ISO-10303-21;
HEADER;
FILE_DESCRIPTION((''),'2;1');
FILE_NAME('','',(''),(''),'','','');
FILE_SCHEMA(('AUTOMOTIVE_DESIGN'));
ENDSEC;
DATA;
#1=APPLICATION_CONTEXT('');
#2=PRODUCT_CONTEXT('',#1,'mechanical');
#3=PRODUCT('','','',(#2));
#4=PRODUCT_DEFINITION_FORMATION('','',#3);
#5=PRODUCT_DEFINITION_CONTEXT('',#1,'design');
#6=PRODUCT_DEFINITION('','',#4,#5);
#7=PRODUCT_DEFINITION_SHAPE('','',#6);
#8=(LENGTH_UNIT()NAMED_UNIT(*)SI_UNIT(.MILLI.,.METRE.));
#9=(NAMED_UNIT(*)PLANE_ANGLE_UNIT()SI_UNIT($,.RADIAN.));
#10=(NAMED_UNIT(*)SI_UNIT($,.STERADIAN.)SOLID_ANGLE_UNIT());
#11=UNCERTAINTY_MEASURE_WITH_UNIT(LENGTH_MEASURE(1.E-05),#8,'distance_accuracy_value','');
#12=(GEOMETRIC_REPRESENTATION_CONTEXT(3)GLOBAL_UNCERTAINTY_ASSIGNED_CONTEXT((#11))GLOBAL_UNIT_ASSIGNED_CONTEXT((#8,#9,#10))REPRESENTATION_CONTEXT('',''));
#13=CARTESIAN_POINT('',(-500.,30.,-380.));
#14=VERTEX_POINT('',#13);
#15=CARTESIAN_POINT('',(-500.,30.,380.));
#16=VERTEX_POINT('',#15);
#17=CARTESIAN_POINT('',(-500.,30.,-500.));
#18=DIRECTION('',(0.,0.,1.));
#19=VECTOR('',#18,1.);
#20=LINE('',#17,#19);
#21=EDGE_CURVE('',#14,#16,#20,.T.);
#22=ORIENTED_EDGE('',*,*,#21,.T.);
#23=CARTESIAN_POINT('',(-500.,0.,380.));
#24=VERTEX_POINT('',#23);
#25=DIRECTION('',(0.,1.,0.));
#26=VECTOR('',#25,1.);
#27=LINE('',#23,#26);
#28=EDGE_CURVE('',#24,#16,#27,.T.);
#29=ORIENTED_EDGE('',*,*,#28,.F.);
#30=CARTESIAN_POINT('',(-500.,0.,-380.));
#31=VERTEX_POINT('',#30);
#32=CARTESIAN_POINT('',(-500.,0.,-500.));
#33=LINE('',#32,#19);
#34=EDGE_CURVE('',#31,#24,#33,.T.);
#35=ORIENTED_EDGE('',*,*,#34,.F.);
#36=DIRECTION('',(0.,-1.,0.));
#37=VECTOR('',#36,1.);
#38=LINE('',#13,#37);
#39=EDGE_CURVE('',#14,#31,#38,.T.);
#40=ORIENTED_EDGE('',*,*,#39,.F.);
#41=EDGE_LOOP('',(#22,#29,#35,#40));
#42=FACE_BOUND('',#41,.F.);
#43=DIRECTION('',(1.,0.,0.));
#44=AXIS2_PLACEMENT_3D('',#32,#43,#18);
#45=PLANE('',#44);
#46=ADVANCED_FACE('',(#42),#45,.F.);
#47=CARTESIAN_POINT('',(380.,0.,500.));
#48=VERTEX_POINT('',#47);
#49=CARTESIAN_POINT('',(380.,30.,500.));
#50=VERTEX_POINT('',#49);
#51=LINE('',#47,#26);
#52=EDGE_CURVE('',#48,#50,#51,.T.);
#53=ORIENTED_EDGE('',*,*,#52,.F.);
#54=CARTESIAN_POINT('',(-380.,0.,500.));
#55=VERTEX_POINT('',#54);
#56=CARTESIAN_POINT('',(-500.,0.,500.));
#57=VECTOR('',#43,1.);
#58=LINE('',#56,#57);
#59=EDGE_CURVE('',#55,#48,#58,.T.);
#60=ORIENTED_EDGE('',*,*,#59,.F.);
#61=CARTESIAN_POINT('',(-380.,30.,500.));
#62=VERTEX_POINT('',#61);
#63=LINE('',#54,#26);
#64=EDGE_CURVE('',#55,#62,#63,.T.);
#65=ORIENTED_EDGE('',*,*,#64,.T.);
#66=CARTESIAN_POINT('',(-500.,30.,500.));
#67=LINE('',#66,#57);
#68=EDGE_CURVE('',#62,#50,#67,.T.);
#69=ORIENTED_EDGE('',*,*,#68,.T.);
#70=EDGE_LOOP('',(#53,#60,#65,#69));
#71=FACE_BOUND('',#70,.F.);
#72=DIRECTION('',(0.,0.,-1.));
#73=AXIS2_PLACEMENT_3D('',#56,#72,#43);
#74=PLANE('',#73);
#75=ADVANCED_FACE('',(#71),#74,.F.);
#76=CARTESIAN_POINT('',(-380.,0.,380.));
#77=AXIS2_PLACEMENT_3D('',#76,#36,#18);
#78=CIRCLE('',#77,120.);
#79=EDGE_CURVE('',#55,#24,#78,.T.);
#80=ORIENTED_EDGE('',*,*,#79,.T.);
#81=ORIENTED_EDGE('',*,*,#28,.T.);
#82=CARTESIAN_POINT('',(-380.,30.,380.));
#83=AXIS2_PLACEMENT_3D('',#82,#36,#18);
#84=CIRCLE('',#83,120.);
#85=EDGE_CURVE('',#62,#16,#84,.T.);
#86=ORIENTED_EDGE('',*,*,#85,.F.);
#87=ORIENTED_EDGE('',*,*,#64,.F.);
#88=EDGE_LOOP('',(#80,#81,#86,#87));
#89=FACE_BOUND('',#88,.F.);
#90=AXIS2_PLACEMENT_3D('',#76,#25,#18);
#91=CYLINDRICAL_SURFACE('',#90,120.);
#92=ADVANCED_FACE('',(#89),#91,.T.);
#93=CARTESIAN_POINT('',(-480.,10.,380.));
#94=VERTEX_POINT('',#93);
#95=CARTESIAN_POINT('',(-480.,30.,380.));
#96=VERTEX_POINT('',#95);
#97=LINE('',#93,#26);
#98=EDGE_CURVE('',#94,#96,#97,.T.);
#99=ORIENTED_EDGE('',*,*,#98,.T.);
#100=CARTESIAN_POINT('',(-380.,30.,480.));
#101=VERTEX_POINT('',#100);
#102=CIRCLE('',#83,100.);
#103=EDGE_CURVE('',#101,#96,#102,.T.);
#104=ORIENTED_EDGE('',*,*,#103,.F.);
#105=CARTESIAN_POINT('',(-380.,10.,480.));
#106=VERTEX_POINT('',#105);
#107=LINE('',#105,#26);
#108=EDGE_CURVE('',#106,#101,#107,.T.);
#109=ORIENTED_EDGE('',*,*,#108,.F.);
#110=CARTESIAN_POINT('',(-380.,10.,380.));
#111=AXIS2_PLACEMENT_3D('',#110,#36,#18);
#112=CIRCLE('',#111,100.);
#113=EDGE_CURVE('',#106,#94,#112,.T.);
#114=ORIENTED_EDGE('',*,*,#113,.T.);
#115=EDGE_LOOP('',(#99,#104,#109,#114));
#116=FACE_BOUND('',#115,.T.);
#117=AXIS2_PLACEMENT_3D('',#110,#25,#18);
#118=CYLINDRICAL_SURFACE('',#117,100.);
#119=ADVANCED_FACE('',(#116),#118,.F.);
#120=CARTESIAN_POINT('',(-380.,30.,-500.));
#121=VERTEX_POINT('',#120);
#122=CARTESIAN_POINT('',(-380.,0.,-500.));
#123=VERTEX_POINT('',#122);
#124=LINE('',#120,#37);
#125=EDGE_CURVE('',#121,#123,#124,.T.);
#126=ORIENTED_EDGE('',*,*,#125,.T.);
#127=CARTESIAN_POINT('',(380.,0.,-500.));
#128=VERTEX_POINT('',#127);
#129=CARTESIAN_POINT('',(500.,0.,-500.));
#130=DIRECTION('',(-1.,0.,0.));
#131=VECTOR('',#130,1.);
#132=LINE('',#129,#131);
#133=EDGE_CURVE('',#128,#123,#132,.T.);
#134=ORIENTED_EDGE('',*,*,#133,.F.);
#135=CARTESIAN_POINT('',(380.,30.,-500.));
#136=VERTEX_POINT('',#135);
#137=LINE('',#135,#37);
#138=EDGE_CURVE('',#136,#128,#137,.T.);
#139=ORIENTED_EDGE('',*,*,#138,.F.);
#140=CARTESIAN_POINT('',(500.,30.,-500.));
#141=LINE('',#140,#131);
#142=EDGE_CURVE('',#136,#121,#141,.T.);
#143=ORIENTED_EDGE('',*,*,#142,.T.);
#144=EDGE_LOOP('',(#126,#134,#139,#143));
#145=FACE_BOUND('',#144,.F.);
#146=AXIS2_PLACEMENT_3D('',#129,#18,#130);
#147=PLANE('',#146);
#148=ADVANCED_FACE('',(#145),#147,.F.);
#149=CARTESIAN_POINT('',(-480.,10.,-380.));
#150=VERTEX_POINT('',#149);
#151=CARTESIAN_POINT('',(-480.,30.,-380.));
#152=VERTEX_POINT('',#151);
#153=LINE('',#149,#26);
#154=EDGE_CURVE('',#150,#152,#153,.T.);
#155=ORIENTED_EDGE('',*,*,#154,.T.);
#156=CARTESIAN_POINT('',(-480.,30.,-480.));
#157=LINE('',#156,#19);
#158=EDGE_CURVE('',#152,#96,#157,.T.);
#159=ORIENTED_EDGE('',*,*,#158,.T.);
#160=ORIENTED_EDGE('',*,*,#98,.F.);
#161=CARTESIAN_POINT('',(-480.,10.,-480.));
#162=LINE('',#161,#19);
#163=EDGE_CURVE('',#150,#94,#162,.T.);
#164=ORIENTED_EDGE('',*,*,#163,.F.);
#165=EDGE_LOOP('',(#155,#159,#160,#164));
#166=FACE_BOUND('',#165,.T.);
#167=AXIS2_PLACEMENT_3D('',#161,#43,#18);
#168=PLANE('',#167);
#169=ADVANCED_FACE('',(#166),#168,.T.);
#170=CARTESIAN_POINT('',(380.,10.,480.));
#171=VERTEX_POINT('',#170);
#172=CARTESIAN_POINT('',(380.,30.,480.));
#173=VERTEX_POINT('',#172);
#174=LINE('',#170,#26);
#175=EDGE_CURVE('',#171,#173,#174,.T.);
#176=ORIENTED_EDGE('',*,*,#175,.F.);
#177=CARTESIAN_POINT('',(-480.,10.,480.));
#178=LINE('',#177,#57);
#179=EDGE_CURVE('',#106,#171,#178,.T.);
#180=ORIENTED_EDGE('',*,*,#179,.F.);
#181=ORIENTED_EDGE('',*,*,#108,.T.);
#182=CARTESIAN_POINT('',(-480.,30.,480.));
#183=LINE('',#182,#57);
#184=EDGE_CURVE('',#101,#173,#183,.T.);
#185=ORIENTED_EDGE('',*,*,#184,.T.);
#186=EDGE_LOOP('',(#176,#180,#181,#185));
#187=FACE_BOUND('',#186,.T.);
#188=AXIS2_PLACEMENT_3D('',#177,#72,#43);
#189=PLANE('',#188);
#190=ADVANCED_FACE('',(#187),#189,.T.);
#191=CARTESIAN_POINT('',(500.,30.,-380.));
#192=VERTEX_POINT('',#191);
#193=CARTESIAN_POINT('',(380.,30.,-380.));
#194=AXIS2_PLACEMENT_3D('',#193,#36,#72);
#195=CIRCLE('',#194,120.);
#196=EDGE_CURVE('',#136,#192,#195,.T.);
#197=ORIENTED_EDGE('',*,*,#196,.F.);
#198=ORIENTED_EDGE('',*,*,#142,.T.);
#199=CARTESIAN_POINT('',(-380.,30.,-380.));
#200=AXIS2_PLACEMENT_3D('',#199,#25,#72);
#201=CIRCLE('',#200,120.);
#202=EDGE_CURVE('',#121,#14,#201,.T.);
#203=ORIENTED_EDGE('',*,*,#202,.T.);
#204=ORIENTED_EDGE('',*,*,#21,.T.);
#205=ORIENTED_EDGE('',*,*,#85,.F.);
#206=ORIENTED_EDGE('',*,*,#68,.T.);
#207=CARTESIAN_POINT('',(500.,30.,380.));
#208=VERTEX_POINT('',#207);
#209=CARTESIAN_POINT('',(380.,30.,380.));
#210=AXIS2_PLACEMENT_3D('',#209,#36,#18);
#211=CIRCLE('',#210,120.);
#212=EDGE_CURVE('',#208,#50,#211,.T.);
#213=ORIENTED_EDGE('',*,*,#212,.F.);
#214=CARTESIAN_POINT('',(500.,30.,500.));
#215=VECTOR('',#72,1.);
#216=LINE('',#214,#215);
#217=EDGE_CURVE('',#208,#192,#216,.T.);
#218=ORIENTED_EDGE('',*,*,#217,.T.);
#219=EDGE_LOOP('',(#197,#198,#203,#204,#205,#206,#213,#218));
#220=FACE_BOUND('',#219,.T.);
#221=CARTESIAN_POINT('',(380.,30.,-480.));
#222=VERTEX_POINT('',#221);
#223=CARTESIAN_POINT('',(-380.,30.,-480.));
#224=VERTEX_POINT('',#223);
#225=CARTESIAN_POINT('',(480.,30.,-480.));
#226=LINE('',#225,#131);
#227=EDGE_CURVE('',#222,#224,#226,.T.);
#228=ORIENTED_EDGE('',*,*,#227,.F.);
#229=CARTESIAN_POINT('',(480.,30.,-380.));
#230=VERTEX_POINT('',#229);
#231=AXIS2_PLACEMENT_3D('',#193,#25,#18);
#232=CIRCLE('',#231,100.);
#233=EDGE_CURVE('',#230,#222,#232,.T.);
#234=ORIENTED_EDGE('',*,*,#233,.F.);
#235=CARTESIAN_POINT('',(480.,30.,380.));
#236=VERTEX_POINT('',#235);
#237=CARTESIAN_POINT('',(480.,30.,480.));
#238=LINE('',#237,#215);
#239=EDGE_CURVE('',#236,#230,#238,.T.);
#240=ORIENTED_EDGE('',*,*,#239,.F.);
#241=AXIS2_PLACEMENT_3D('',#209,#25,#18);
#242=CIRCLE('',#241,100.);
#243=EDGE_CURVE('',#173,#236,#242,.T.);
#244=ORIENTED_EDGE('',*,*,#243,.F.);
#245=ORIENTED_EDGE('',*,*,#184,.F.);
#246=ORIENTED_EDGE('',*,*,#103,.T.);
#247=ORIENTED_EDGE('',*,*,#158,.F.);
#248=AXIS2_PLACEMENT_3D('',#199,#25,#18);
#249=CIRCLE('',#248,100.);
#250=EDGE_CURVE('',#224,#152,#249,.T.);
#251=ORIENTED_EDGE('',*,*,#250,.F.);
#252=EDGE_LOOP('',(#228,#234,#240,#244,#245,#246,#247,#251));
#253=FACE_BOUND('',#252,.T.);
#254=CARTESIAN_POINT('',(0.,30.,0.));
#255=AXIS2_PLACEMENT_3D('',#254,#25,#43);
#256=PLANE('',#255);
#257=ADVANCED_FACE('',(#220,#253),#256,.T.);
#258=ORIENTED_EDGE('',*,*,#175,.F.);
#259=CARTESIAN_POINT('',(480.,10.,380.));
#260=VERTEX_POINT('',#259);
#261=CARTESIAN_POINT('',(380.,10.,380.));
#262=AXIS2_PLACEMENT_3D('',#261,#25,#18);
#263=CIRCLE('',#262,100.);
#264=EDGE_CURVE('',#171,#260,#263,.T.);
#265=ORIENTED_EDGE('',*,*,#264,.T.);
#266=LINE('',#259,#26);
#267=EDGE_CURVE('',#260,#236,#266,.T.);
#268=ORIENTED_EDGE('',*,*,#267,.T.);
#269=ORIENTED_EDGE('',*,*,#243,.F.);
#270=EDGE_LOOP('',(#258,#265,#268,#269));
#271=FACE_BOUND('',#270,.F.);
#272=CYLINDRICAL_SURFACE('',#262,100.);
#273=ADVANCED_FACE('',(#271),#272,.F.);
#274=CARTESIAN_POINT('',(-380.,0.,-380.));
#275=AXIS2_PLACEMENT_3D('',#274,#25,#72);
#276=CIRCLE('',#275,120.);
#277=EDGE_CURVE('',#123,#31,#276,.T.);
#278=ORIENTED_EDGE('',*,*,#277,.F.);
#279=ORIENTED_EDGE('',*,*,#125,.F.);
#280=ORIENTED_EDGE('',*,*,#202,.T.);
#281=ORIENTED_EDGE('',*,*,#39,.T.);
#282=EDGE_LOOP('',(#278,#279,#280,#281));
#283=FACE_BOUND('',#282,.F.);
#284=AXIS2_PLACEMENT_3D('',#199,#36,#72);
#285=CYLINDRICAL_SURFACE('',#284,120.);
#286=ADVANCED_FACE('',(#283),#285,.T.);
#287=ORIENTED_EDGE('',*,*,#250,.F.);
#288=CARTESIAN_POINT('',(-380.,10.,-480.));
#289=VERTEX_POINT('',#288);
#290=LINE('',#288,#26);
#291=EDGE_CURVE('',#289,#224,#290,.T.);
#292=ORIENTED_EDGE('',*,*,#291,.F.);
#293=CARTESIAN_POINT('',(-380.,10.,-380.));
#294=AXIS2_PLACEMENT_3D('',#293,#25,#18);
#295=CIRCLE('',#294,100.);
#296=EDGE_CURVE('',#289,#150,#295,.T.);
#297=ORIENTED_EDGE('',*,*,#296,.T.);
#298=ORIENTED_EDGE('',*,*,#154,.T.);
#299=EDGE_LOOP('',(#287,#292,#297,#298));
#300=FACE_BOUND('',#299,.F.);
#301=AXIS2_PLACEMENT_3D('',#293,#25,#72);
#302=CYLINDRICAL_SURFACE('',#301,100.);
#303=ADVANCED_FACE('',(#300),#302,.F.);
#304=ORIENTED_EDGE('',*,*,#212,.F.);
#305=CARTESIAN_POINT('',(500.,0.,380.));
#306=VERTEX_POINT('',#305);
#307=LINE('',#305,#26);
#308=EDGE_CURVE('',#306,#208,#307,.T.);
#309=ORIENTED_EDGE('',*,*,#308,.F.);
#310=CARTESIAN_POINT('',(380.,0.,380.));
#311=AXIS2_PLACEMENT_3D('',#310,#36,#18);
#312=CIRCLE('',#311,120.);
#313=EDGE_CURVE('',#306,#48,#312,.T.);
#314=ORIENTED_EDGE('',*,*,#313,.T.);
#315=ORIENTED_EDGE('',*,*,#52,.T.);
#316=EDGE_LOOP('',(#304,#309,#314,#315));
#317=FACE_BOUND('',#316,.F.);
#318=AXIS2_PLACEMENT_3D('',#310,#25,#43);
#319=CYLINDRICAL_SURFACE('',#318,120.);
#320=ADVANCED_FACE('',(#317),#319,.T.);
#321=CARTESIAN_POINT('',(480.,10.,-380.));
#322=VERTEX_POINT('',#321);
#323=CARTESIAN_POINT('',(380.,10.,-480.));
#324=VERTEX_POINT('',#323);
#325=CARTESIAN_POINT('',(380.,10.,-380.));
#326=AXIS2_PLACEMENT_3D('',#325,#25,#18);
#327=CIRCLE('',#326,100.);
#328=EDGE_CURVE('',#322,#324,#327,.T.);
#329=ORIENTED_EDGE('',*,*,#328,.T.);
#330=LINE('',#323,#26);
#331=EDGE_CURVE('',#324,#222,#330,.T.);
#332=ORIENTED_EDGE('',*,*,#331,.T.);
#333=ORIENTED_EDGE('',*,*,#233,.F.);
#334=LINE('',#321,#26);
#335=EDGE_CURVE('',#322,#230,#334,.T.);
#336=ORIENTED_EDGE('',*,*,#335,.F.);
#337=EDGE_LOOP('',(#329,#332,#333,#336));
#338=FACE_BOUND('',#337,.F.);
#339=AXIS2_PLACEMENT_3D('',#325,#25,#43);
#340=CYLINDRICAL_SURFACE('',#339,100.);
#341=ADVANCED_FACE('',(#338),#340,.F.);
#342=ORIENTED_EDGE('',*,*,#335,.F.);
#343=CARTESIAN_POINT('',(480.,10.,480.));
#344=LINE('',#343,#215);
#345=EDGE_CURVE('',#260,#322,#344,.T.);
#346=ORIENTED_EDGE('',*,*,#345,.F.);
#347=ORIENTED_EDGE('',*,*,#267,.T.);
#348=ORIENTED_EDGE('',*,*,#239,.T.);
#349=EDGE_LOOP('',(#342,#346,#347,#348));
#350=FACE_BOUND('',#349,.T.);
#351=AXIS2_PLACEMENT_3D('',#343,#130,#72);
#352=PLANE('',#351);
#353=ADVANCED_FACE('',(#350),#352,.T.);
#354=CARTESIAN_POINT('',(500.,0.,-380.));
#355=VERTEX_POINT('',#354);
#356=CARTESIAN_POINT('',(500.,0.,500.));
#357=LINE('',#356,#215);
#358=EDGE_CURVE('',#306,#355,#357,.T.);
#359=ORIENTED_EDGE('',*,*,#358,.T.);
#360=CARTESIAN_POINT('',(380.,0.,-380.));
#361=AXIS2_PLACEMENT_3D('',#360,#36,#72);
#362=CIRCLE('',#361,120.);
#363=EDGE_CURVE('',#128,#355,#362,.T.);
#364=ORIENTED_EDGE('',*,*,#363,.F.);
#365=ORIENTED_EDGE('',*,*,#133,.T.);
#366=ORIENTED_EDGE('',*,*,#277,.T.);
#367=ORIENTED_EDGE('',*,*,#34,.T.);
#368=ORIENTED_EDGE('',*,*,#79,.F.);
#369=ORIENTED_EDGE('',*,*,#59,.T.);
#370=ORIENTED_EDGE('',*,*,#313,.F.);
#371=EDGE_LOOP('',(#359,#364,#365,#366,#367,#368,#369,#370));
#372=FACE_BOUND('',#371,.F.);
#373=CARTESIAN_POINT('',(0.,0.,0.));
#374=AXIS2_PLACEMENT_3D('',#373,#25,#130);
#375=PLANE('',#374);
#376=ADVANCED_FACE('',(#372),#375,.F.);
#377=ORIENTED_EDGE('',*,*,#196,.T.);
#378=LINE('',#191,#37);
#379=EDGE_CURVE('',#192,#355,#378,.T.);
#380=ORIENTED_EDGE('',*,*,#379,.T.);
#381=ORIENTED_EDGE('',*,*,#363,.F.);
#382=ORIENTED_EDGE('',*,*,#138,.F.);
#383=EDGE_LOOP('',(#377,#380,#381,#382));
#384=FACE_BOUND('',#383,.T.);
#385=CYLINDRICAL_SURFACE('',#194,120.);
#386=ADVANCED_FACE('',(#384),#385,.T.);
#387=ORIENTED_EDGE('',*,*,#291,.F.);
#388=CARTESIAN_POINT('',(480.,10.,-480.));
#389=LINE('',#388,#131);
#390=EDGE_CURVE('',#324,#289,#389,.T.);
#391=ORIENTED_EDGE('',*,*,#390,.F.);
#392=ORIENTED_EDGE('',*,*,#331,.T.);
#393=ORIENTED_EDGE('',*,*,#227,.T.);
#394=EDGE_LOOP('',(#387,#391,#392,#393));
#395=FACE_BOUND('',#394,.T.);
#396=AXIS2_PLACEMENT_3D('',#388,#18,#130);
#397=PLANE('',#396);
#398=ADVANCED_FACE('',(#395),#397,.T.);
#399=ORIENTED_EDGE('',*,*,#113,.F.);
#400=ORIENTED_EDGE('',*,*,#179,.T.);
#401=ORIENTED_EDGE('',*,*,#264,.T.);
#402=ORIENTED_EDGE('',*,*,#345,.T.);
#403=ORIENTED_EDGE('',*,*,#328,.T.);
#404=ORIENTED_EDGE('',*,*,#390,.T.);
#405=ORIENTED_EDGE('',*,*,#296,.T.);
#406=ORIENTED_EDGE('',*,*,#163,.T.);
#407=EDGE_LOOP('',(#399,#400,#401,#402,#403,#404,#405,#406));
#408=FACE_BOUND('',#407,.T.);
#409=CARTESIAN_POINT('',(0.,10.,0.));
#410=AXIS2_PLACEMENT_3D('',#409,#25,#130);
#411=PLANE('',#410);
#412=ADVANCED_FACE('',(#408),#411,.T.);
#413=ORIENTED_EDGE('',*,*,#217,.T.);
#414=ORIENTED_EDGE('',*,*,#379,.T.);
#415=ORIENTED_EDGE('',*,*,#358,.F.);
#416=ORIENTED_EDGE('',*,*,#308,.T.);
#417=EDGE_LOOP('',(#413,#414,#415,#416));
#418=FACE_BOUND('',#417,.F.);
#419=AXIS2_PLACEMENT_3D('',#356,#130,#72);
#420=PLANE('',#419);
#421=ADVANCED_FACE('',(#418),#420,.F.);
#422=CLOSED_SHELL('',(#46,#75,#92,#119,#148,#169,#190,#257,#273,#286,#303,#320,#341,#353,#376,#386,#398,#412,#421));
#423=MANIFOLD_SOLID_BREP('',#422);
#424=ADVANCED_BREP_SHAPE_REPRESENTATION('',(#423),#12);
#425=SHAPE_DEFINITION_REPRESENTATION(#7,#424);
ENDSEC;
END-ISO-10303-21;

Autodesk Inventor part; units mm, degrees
ref_plane "YZ Plane" through (0, 0, 0) normal (1, 0, 0) x (0, 1, 0)
ref_plane "XZ Plane" through (0, 0, 0) normal (0, 1, 0) x (-1, 0, 0)
ref_plane "XY Plane" through (0, 0, 0) normal (0, 0, 1) x (1, 0, 0)
sketch "Sketch1" plane through (0, 0, 0) normal (0, 1, 0) x (-1, 0, 0)
  line L0 (500, 500) -> (-500, 500)
  line L1 (-500, 500) -> (-500, -500)
  line L2 (-500, -500) -> (500, -500)
  line L3 (500, -500) -> (500, 500)
  point P0 (0, 0)
  point P1 (0, 500)
  point P2 (500, 0)
  dimension "d1" = 1000
  dimension "d2" = 1000
extrude "Extrusion1" add sketch "Sketch1" along normal blind 10
sketch "Sketch2" plane through (0, 10, 0) normal (0, 1, 0) x (1, 0, 0)
  line L0 (-480, -480) -> (480, -480)
  line L1 (480, -480) -> (480, 480)
  line L2 (480, 480) -> (-480, 480)
  line L3 (-480, 480) -> (-480, -480)
  line L4 (-500, 500) -> (-500, -500) projected
  line L5 (-500, -500) -> (500, -500) projected
  line L6 (500, -500) -> (500, 500) projected
  line L7 (500, 500) -> (-500, 500) projected
  point P0 (0, 0)
  dimension "d5" = 20
  dimension "d6" = 20
  dimension "d8" = 20
  dimension "d9" = 20
extrude "Extrusion2" add sketch "Sketch2" along normal blind 20
fillet "Fillet1" radius 100 4 edges at (-480, 20, 480) (-480, 20, -480) (480, 20, -480) (480, 20, 480)
fillet "Fillet2" radius 120 4 edges at (-500, 15, 500) (-500, 15, -500) (500, 15, -500) (500, 15, 500)
equation "\"d6\" = d5"
equation "\"d8\" = d5"
equation "\"d9\" = d5"
properties part number "ground"
